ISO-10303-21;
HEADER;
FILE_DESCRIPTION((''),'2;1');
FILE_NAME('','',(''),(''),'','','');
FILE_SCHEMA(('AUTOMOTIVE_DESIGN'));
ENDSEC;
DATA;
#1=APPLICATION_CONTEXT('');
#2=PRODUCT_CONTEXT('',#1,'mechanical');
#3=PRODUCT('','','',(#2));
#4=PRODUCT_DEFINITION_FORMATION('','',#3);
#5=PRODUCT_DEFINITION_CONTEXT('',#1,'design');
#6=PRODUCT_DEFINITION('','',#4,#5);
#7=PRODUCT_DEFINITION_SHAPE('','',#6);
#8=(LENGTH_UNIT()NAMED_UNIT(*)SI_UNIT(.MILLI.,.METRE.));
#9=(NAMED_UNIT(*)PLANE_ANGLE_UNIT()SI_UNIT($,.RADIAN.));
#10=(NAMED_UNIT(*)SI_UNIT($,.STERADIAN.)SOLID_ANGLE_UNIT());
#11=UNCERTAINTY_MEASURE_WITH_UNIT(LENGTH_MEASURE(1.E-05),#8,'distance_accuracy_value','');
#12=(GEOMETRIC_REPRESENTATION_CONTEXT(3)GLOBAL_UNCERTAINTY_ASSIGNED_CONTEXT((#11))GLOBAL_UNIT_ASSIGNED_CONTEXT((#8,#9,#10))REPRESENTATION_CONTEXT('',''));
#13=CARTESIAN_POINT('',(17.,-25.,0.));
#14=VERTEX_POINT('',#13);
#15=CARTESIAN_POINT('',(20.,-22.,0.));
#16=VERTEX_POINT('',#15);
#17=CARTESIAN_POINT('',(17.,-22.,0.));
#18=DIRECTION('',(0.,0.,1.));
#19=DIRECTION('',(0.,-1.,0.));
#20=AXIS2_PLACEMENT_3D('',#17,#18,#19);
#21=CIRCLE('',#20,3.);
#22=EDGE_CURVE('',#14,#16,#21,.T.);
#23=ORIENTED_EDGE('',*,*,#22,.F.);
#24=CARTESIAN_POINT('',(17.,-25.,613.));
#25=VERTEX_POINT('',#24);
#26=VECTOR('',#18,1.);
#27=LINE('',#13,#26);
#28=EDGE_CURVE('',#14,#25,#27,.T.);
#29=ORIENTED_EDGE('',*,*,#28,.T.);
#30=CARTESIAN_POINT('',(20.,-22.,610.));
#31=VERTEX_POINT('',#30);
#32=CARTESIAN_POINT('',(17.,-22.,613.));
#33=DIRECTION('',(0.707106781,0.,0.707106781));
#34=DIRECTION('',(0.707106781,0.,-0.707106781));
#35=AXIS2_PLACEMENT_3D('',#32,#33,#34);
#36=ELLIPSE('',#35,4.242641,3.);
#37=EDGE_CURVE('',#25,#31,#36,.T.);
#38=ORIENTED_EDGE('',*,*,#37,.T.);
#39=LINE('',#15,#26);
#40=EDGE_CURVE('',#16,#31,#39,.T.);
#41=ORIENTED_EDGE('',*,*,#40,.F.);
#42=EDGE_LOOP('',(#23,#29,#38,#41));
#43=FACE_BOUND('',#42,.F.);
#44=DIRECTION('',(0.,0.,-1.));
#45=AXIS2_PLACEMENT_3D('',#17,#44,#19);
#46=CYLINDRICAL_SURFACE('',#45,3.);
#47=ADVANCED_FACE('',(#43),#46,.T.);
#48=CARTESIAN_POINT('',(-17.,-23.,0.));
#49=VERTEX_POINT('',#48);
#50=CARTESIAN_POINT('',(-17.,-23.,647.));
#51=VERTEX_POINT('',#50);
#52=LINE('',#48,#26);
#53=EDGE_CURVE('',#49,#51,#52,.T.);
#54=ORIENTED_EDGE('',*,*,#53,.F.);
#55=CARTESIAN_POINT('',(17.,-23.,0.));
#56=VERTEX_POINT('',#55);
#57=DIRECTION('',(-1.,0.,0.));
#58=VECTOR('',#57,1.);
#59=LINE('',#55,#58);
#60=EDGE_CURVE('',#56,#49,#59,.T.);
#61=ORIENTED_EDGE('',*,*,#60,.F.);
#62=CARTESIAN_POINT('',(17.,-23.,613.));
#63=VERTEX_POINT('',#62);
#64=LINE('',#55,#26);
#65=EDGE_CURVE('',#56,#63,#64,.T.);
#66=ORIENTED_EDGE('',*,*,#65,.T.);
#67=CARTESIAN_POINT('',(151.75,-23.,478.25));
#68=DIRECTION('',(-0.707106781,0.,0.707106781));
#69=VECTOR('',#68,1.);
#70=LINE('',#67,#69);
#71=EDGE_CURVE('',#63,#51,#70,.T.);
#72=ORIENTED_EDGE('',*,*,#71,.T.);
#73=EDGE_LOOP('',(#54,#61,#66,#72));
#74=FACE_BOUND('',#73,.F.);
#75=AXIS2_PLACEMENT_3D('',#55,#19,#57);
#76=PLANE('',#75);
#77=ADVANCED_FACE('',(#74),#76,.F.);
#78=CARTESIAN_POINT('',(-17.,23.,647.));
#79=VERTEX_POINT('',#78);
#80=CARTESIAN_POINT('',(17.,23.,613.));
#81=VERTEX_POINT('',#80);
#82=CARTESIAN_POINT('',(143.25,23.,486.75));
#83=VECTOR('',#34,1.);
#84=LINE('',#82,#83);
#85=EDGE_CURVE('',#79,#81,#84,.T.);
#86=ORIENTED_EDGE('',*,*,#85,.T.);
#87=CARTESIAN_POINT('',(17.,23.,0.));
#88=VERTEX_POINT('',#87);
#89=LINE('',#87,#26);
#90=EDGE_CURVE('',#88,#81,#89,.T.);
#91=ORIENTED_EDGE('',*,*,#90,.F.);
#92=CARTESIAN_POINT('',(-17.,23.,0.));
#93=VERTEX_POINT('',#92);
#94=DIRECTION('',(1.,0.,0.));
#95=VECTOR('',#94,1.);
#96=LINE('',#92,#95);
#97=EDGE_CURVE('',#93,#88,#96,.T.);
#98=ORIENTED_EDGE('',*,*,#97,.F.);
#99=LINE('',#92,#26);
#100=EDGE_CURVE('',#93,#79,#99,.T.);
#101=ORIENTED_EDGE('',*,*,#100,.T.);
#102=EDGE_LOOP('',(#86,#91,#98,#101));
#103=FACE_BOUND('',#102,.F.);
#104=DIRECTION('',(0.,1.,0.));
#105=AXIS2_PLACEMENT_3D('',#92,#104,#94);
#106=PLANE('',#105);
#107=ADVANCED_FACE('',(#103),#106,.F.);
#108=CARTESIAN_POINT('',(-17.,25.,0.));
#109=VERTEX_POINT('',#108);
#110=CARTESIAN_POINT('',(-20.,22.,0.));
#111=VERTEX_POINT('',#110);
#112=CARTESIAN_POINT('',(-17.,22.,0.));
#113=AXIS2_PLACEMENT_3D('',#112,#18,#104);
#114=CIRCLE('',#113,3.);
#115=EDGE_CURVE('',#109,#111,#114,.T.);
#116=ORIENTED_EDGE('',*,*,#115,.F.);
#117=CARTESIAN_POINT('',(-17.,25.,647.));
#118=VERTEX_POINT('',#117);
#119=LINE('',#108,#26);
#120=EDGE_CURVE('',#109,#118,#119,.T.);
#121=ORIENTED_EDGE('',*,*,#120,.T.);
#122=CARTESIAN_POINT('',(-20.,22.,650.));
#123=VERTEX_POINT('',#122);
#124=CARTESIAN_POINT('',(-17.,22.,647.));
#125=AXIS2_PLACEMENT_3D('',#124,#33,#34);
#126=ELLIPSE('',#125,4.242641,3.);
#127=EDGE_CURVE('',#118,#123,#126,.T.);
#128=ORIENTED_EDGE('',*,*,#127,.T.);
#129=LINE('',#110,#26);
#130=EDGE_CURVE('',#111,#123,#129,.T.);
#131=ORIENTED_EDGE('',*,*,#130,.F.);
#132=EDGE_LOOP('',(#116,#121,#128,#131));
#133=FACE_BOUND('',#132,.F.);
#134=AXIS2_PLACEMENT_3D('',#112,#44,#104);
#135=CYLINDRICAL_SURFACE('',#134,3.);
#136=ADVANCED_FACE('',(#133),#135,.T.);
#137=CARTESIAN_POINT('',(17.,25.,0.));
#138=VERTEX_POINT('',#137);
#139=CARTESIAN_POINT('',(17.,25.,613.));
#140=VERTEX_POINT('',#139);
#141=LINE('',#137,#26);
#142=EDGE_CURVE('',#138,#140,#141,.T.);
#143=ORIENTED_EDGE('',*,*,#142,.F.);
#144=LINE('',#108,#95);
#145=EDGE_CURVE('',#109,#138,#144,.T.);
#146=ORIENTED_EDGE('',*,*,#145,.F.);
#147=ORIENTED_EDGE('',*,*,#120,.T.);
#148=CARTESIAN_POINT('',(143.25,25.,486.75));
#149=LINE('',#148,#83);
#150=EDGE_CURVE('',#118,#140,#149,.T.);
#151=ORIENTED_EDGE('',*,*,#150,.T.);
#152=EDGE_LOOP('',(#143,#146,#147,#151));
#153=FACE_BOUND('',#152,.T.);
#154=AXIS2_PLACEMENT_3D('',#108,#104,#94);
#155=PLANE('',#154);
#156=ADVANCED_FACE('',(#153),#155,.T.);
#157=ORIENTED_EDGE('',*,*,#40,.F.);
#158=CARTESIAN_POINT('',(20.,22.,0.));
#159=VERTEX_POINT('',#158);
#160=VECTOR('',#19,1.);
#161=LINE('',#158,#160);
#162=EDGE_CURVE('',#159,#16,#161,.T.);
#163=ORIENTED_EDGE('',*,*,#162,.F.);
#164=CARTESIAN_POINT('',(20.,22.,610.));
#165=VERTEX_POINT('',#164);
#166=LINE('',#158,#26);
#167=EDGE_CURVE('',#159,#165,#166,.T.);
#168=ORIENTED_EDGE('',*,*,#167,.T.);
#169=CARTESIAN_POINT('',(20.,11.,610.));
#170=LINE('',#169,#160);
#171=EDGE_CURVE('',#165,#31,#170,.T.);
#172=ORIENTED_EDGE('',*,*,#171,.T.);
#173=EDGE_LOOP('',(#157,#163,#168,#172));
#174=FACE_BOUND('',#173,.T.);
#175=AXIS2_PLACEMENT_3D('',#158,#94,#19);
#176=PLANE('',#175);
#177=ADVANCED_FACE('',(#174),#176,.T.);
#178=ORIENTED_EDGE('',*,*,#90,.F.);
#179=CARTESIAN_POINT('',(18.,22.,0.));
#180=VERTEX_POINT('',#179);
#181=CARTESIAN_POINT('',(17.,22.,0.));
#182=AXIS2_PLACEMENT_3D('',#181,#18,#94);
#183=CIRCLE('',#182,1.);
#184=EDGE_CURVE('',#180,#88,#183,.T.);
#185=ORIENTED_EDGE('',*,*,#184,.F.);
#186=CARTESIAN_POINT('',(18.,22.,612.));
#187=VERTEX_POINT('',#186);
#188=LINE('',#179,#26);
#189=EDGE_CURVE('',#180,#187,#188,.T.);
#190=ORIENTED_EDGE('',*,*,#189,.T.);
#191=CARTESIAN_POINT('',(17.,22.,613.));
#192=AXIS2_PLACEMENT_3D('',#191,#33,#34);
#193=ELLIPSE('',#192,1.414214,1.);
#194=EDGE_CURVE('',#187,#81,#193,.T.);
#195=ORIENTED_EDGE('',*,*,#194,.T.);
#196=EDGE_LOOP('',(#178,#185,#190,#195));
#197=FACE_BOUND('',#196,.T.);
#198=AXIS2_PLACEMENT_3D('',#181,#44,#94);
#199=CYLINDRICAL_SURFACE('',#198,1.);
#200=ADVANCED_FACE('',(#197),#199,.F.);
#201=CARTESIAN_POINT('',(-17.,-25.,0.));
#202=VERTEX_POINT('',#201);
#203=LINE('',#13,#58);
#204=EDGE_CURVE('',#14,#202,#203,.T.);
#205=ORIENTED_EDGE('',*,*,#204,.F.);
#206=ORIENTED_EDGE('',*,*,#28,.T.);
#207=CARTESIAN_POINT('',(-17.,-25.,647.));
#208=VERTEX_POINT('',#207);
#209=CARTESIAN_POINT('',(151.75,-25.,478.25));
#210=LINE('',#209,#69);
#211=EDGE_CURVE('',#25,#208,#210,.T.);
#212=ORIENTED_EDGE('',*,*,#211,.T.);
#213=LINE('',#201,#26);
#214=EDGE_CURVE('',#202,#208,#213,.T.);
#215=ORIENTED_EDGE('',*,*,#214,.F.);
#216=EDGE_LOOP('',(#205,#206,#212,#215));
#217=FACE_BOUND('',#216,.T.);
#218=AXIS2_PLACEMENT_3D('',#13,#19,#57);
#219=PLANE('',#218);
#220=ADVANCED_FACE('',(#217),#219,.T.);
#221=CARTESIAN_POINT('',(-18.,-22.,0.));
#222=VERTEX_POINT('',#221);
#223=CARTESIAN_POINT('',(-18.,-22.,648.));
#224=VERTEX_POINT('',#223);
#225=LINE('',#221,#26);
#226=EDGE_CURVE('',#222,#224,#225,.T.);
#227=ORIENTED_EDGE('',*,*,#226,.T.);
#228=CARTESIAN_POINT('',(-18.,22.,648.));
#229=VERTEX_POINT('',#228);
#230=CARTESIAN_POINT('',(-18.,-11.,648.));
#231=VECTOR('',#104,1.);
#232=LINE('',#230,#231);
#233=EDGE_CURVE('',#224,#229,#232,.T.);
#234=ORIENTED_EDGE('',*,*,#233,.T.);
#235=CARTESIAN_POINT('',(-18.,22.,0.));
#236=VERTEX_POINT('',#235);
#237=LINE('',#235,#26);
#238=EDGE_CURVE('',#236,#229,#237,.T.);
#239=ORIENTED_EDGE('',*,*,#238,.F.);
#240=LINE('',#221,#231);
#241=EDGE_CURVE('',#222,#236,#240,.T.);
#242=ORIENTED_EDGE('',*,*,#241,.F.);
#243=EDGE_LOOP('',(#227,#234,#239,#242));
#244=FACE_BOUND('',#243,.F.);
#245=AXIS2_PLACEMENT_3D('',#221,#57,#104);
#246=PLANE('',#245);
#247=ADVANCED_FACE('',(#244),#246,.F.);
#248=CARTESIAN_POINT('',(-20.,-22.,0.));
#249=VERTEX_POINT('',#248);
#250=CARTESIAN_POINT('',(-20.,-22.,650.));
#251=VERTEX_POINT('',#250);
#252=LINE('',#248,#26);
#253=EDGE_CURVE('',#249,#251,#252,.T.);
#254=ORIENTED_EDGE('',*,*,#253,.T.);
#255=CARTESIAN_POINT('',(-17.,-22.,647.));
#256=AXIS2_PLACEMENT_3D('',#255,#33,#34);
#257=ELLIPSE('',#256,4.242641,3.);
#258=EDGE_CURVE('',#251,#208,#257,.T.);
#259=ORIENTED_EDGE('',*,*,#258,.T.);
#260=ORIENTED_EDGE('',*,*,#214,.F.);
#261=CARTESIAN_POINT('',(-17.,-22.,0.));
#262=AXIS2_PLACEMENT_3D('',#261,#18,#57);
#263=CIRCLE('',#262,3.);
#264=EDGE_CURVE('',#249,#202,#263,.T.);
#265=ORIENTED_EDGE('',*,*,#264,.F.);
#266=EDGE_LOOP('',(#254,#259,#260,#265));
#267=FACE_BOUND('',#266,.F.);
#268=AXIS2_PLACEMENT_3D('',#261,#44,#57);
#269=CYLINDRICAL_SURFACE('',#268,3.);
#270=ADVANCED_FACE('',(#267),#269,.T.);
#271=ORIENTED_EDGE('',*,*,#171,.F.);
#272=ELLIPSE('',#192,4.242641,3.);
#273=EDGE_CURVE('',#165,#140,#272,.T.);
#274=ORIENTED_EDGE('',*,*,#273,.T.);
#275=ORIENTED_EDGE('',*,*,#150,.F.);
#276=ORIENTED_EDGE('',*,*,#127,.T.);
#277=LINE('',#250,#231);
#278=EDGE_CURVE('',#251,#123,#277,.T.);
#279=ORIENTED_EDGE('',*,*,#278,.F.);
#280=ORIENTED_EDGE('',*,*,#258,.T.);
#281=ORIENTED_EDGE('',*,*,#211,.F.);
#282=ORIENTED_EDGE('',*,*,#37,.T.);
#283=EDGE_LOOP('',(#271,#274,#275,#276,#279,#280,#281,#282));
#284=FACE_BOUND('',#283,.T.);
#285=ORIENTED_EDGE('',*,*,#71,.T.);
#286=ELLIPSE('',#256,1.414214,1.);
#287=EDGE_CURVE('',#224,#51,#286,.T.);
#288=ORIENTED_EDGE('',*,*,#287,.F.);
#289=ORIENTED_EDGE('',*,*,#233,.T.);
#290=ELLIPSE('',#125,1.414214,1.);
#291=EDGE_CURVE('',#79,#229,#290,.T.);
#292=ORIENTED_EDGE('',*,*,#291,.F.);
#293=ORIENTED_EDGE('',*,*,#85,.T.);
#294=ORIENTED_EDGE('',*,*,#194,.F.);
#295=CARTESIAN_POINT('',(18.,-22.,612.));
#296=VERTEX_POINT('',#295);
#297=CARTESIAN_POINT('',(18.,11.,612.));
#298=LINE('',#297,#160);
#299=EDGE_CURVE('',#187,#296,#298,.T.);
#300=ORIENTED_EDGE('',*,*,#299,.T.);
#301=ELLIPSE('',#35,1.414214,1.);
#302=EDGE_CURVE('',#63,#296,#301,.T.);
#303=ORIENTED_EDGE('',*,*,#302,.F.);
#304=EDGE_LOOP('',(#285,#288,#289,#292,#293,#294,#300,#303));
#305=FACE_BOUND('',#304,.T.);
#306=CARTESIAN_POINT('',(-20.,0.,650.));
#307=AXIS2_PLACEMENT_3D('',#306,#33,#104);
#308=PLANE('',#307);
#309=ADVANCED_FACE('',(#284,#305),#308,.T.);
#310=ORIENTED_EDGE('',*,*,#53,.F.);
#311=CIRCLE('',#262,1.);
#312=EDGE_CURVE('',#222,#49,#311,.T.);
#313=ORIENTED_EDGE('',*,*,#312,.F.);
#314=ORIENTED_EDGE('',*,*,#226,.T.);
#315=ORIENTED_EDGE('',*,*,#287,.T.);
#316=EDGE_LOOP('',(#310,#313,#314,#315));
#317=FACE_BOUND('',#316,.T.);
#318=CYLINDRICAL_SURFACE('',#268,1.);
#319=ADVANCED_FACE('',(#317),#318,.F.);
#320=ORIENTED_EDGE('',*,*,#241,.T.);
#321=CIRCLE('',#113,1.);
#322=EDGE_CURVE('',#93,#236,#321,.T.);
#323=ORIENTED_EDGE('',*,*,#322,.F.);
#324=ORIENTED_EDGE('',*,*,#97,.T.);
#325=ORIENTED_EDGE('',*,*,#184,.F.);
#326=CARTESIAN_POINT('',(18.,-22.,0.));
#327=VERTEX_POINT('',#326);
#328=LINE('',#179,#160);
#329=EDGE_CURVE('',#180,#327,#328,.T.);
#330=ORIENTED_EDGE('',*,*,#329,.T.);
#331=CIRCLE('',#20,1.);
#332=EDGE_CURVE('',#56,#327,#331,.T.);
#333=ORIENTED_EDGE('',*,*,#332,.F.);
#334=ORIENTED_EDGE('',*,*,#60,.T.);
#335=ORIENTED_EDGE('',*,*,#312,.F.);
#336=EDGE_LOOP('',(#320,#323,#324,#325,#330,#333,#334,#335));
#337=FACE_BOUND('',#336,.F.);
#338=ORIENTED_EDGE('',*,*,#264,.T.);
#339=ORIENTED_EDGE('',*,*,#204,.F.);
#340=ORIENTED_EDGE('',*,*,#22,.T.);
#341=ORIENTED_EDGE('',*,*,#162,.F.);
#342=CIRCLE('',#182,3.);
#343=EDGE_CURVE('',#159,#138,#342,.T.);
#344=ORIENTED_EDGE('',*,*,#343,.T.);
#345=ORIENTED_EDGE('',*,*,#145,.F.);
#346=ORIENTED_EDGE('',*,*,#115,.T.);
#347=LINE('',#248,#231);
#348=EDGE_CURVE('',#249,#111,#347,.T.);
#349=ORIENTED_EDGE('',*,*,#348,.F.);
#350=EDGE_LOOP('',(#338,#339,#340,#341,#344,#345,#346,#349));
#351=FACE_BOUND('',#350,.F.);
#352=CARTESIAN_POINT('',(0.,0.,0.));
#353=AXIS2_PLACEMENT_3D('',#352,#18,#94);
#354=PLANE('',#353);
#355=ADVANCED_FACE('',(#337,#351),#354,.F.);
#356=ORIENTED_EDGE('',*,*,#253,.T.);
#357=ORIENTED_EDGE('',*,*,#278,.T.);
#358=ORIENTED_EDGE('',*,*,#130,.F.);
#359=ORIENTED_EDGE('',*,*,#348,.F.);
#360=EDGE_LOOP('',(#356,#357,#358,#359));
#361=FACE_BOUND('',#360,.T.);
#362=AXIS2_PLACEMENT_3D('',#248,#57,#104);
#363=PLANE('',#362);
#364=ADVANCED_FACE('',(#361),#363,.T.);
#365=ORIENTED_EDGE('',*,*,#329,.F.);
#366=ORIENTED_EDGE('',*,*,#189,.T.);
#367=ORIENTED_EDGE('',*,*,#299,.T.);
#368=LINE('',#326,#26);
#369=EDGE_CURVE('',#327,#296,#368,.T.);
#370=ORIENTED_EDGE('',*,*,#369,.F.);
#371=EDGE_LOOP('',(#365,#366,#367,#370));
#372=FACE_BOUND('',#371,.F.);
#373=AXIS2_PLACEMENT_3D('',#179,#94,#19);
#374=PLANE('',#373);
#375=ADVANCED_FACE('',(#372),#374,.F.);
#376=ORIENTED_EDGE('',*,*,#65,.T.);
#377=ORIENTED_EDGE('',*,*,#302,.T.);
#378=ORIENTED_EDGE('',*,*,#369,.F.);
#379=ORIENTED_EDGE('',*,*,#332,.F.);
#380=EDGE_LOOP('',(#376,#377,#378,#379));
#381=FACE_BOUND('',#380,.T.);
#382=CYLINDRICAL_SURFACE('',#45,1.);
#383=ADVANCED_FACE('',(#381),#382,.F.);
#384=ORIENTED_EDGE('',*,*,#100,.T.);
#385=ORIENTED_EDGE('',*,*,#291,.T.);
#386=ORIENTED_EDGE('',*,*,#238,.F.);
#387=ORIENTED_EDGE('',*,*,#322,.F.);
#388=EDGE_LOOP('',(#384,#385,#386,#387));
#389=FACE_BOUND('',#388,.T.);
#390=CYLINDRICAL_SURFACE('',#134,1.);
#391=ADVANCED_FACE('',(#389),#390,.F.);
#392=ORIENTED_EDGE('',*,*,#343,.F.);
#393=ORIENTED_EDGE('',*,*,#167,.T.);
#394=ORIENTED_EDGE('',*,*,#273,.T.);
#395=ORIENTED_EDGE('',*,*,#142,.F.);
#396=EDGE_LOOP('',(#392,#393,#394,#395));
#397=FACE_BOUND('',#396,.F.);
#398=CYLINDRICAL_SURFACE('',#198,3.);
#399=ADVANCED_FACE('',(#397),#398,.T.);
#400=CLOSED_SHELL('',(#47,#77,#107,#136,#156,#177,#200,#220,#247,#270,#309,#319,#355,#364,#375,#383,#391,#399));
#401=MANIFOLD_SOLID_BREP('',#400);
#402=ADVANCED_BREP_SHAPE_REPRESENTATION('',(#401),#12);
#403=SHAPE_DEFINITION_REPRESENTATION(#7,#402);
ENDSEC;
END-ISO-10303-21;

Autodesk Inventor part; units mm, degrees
ref_plane "Start plane" through (0, 0, 0) normal (0, 0, 1) x (1, 0, 0)
ref_plane "End plane" through (0, 0, 650) normal (0, 0, 1) x (1, 0, 0)
sketch "Sketch" plane through (0, 0, 0) normal (0, 0, 1) x (1, 0, 0)
  line L0 (-20, -22) -> (-20, 22)
  line L1 (-17, 25) -> (17, 25)
  line L2 (20, 22) -> (20, -22)
  line L3 (17, -25) -> (-17, -25)
  arc A0 (-20, -22) -> (-17, -25) centre (-17, -22) ccw
  arc A1 (-17, 25) -> (-20, 22) centre (-17, 22) ccw
  arc A2 (20, 22) -> (17, 25) centre (17, 22) ccw
  arc A3 (17, -25) -> (20, -22) centre (17, -22) ccw
  arc A4 (-17, 23) -> (-18, 22) centre (-17, 22) ccw
  line L4 (-17, 23) -> (17, 23)
  arc A5 (18, 22) -> (17, 23) centre (17, 22) ccw
  line L5 (18, 22) -> (18, -22)
  arc A6 (17, -23) -> (18, -22) centre (17, -22) ccw
  line L6 (17, -23) -> (-17, -23)
  arc A7 (-18, -22) -> (-17, -23) centre (-17, -22) ccw
  line L7 (-18, -22) -> (-18, 22)
  line L8 (0, 35.8698) -> (0, -35.8698) construction
  line L9 (-28.8698, 0) -> (28.8698, 0) construction
  dimension "d7" = 3
  dimension "d10" = 50
  dimension "d11" = 40
  dimension "d12" = 2
  dimension "d15" = 25
  dimension "d16" = 20
extrude "Body" add sketch "Sketch" along normal up to surface (650 mm away) from surface at 0
sketch "Sketch3" plane through (0, 0, 0) normal (0, 0, 1) x (1, 0, 0)
  line L0 (0, 0) -> (10, 0)
ref_plane "Work Plane3" through (0, 0, 0) normal (0, -1, 0) x (1, 0, 0)
sketch "Sketch4" plane through (0, 0, 0) normal (0, -1, 0) x (1, 0, 0)
  line L0 (-2, 0) -> (12, 0)
  line L1 (-2, 650) -> (12, 650)
  dimension "d18" = 650
ref_plane "Work Plane4" through (-20, 0, 650) normal (0.7071, 0, 0.7071) x (0.7071, 0, -0.7071)
split "Split1" plane through (-20, 0, 650) removes the side toward (0.7071, 0, 0.7071)
equation "\"d7\" = G_IR"
equation "\"d10\" = G_H"
equation "\"d11\" = G_W"
equation "\"d12\" = G_T"
equation "\"d15\" = 0.5 * d10"
equation "\"d16\" = 0.5 * d11"
equation "\"d3\" = G_L"
equation "\"G_W\" = 40"
equation "\"G_H\" = 50"
equation "\"G_T\" = 2"
equation "\"G_IR\" = 3"
equation "\"G_L\" = d18"
equation "\"G_OFFSET_START\" = 0"
equation "\"G_OFFSET_END\" = 0"
equation "\"d14\" = G_OFFSET_END + B_L"
equation "\"B_L\" = 650"
properties part number "UNI EN 10305-5 - 50 x 40 x 2  - 650" material "Steel, Mild"
